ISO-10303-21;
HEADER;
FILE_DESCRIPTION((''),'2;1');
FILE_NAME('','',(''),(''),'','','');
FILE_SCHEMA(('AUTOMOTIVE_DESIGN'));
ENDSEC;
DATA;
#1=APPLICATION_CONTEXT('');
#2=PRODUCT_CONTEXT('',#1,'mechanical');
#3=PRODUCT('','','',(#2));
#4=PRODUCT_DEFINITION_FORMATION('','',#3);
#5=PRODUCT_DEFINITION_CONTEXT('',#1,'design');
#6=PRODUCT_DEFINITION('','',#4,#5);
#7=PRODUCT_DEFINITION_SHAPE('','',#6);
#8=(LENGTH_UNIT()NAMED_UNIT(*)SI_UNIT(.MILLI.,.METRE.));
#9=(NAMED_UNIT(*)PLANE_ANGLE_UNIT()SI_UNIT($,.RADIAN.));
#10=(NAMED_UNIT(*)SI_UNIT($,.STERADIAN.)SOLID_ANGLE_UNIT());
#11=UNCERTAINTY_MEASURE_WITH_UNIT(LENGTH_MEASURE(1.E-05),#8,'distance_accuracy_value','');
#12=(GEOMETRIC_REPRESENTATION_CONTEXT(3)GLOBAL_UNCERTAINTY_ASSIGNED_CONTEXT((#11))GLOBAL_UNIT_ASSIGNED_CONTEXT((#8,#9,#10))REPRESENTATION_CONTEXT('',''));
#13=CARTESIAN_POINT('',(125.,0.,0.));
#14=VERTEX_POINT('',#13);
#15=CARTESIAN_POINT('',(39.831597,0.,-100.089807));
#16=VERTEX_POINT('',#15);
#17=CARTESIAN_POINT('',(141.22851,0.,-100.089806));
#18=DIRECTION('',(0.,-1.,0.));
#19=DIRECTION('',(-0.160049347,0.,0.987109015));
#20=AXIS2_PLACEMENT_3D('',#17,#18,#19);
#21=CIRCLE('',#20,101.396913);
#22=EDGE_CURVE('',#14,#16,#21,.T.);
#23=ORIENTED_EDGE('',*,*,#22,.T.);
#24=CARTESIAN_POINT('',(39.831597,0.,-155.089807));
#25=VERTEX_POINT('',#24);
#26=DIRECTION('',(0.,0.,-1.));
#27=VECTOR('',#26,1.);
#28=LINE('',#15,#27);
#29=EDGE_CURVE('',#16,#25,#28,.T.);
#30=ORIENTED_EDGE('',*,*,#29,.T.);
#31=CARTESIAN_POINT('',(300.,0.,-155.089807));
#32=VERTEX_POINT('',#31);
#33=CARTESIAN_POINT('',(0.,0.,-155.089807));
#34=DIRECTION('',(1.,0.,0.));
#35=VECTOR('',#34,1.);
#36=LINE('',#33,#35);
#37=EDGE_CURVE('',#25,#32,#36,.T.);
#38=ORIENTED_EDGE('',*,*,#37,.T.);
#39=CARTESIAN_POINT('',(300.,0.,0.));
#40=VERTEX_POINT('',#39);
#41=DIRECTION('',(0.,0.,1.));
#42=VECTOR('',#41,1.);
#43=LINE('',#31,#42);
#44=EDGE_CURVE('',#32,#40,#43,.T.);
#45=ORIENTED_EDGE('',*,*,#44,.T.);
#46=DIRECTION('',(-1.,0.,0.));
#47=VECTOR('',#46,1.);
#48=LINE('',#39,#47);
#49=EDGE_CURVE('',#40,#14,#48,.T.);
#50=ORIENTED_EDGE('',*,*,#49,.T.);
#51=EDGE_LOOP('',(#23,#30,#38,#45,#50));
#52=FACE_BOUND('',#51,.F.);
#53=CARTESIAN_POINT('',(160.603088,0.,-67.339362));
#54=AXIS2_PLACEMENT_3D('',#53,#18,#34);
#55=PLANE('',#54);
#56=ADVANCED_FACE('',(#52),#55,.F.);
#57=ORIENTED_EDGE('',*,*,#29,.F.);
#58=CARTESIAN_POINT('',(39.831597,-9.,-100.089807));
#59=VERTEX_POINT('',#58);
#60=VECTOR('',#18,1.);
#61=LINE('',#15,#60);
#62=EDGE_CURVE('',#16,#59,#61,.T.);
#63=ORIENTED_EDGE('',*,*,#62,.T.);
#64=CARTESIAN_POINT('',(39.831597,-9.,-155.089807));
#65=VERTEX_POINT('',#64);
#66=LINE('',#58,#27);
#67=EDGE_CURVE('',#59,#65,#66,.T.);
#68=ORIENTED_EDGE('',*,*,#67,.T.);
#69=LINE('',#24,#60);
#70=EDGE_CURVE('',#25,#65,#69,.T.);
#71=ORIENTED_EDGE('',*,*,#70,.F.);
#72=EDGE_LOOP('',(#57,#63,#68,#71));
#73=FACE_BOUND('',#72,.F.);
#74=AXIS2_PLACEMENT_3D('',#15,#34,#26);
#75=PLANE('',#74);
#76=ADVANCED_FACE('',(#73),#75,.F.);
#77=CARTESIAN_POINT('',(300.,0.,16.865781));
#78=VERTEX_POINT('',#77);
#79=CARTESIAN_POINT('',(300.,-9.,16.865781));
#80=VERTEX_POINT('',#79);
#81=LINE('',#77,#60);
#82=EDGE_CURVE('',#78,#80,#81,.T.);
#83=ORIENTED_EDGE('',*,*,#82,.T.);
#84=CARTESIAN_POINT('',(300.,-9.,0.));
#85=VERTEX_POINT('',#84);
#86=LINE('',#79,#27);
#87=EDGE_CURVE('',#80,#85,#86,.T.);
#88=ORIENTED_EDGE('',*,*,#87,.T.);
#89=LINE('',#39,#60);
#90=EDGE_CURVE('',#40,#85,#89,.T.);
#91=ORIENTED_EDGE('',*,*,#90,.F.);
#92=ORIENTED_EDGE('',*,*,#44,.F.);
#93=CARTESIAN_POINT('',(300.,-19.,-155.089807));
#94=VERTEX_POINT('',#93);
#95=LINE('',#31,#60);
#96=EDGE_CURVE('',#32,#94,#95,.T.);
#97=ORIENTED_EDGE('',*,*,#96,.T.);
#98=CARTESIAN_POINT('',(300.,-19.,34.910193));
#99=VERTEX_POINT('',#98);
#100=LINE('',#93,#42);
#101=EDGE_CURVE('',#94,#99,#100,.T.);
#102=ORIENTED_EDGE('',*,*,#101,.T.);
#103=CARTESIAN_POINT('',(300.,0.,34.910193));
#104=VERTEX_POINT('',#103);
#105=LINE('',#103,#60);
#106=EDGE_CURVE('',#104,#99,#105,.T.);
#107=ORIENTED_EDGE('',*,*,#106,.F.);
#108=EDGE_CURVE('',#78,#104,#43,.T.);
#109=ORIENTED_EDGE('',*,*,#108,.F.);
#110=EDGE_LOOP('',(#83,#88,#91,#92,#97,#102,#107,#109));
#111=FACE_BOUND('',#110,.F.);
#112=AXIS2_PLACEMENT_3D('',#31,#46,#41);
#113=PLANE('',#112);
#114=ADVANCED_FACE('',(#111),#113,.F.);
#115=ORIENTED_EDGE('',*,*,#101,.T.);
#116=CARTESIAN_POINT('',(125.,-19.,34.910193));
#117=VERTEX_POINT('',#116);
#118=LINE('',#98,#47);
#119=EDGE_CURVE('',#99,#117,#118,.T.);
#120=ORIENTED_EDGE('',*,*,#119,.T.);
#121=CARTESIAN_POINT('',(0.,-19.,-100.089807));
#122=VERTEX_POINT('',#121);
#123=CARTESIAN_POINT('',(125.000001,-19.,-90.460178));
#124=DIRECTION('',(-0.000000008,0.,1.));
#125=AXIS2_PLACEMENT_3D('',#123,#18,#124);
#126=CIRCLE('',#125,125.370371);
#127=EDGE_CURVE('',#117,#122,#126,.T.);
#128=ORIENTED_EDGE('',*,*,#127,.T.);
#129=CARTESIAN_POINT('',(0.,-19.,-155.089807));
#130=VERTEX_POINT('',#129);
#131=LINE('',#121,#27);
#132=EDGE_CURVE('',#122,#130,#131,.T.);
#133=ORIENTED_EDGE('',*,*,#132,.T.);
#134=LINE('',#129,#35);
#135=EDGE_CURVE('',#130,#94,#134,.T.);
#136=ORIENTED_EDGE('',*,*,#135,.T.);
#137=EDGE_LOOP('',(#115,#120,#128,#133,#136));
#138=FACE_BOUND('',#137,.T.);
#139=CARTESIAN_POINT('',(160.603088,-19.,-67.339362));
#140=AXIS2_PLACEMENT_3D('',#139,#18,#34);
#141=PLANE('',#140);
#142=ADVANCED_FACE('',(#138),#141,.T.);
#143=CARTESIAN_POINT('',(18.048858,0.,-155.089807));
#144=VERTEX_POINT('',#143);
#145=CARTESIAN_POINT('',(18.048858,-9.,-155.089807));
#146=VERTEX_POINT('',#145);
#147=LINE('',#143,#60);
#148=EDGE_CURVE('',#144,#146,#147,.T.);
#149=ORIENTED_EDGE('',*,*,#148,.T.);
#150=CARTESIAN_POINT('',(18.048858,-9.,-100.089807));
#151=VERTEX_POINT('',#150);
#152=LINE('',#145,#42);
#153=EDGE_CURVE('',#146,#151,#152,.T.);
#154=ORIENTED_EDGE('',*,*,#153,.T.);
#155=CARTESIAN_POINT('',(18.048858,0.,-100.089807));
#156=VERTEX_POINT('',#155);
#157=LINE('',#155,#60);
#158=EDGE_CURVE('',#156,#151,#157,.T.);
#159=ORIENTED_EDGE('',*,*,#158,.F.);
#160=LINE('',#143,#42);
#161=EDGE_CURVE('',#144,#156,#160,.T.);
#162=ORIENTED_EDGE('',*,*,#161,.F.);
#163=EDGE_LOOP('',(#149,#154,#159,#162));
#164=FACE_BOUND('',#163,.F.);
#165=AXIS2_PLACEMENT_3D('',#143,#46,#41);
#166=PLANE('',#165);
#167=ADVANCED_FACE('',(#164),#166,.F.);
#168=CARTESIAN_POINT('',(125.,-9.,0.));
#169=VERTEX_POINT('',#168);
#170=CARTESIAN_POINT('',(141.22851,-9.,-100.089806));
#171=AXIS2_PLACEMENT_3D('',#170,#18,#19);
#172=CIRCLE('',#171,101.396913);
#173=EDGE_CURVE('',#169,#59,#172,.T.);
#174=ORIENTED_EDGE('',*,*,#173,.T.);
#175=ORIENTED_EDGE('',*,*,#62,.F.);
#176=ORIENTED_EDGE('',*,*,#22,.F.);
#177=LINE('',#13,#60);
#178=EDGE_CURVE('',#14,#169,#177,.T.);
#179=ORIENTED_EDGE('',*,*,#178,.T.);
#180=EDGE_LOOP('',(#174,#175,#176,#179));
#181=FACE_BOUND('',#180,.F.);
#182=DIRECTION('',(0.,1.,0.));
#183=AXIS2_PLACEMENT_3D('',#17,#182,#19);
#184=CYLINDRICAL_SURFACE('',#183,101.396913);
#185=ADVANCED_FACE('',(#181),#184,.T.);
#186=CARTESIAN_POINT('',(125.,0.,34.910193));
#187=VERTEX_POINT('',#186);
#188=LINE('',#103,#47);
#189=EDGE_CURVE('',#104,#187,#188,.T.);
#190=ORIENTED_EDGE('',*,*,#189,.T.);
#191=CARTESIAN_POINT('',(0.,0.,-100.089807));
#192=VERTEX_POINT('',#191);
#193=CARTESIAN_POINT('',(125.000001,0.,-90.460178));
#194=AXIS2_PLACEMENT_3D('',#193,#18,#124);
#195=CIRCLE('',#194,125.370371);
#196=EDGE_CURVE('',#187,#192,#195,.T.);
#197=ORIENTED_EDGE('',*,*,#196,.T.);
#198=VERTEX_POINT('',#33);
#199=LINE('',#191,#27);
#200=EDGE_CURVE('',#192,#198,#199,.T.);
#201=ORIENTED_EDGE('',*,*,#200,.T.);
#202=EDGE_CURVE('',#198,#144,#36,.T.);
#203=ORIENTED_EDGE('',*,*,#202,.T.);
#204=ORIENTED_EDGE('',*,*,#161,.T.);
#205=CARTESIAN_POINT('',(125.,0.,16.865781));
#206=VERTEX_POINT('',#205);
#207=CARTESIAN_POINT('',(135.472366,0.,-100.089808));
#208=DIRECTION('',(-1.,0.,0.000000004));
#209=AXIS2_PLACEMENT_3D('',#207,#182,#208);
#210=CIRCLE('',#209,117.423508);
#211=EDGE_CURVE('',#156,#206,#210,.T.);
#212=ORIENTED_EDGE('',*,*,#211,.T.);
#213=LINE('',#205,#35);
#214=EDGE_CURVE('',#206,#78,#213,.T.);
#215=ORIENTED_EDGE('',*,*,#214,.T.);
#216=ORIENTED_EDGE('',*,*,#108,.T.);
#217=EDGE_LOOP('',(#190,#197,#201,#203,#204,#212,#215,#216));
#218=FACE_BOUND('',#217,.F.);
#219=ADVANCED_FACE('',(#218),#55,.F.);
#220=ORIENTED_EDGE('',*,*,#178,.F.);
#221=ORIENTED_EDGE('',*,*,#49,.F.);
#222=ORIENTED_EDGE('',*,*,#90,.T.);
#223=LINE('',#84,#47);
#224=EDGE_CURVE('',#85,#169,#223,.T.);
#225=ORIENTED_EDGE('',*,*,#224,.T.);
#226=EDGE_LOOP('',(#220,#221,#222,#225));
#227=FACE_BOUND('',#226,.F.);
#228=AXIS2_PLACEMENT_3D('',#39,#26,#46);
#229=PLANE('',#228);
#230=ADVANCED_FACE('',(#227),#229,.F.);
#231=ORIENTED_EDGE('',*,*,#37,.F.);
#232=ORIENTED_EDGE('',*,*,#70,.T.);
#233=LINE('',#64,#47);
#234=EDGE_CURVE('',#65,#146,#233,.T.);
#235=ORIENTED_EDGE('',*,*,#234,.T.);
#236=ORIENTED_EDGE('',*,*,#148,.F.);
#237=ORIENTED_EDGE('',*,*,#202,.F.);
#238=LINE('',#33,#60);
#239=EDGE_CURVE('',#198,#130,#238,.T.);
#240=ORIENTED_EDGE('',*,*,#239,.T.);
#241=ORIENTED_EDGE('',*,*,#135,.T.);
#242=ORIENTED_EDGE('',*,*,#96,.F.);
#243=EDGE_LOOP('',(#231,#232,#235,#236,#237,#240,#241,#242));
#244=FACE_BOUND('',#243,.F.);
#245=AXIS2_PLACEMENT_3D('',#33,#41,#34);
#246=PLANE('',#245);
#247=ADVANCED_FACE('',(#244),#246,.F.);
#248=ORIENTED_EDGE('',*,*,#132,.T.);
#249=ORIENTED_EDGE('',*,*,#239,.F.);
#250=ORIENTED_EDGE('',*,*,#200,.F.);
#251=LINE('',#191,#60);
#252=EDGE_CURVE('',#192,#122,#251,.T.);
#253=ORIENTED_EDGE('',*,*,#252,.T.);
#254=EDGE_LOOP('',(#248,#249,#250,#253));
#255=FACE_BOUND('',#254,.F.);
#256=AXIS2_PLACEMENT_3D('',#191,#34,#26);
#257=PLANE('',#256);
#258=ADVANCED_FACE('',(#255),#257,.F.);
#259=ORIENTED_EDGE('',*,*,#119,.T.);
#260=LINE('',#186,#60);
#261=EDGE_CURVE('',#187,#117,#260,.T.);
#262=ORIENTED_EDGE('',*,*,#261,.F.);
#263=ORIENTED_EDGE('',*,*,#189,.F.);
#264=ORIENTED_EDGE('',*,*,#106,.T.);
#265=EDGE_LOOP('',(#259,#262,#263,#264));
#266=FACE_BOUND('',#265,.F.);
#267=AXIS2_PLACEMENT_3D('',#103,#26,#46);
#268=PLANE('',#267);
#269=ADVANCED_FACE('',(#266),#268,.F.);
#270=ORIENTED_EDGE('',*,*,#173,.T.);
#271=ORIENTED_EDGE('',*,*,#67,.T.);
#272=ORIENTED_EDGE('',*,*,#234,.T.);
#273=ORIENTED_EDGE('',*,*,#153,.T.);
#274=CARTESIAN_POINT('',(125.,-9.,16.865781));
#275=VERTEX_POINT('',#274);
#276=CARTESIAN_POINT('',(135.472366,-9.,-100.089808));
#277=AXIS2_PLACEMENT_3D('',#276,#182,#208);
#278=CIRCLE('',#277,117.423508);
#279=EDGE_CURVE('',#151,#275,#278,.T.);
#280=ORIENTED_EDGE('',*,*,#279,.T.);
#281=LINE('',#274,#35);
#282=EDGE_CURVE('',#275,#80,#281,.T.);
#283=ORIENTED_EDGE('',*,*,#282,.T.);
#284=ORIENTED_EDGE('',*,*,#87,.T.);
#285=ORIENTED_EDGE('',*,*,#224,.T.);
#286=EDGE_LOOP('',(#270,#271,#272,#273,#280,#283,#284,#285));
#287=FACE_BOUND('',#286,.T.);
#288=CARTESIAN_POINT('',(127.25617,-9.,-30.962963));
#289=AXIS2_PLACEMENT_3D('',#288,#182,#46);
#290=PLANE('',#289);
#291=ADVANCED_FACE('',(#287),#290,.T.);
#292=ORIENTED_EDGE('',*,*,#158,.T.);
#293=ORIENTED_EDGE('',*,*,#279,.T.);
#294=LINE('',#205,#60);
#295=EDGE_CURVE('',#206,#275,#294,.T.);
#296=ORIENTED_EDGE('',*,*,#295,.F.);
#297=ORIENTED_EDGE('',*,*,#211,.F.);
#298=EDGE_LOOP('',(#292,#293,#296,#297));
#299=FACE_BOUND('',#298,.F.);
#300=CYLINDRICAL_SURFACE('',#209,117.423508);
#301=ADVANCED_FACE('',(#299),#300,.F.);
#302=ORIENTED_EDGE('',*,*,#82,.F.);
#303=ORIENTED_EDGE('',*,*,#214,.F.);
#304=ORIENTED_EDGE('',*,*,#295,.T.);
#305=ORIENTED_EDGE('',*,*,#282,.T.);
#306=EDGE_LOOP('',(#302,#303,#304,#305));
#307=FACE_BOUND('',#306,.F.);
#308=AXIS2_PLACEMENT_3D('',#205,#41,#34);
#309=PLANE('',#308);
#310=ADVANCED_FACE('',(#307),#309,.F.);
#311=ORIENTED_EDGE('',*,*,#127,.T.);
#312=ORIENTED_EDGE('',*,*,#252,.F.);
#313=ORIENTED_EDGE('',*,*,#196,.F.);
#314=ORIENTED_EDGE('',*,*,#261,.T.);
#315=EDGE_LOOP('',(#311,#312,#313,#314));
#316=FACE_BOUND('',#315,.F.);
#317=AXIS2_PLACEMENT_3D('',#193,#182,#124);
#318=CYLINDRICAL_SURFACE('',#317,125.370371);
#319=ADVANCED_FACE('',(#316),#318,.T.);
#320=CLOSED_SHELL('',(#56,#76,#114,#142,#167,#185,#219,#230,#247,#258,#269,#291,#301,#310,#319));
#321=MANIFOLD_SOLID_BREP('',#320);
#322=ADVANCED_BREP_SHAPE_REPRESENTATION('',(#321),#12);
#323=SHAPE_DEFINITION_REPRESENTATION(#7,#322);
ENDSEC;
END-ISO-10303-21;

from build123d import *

# Parameters (mm, degrees)
F1_DEPTH = 19
F3_DEPTH = 9


with BuildPart() as f1:
    # F0 (on Front) → F1 (new body)
    with BuildSketch(Plane.XZ):
        with BuildLine():
            Line((0, -155.089807), (300, -155.089807))
            Line((300, -155.089807), (300, 34.910193))
            Line((300, 34.910193), (125, 34.910193))
            ThreePointArc((125, 34.910193), (33.008153, -5.282541), (0, -100.089807))
            Line((0, -100.089807), (0, -155.089807))
        make_face()
    extrude(amount=F1_DEPTH)

    # F2 (on face) → F3 (cut)
    with BuildSketch(Plane(origin=(0, 0, 0), x_dir=(-1, 0, 0), z_dir=(0, 1, 0))):
        with BuildLine():
            Line((-300, 16.865781), (-300, 0))
            Line((-300, 0), (-125, 0))
            ThreePointArc((-125, 0), (-64.005279, -34.379027), (-39.831597, -100.089807))
            Line((-39.831597, -100.089807), (-39.831597, -155.089807))
            Line((-39.831597, -155.089807), (-18.048858, -155.089807))
            Line((-18.048858, -155.089807), (-18.048858, -100.089807))
            ThreePointArc((-18.048858, -100.089807), (-48.817931, -20.847842), (-125, 16.865781))
            Line((-125, 16.865781), (-300, 16.865781))
        make_face()
    extrude(amount=-F3_DEPTH, mode=Mode.SUBTRACT)


solid = f1.part
